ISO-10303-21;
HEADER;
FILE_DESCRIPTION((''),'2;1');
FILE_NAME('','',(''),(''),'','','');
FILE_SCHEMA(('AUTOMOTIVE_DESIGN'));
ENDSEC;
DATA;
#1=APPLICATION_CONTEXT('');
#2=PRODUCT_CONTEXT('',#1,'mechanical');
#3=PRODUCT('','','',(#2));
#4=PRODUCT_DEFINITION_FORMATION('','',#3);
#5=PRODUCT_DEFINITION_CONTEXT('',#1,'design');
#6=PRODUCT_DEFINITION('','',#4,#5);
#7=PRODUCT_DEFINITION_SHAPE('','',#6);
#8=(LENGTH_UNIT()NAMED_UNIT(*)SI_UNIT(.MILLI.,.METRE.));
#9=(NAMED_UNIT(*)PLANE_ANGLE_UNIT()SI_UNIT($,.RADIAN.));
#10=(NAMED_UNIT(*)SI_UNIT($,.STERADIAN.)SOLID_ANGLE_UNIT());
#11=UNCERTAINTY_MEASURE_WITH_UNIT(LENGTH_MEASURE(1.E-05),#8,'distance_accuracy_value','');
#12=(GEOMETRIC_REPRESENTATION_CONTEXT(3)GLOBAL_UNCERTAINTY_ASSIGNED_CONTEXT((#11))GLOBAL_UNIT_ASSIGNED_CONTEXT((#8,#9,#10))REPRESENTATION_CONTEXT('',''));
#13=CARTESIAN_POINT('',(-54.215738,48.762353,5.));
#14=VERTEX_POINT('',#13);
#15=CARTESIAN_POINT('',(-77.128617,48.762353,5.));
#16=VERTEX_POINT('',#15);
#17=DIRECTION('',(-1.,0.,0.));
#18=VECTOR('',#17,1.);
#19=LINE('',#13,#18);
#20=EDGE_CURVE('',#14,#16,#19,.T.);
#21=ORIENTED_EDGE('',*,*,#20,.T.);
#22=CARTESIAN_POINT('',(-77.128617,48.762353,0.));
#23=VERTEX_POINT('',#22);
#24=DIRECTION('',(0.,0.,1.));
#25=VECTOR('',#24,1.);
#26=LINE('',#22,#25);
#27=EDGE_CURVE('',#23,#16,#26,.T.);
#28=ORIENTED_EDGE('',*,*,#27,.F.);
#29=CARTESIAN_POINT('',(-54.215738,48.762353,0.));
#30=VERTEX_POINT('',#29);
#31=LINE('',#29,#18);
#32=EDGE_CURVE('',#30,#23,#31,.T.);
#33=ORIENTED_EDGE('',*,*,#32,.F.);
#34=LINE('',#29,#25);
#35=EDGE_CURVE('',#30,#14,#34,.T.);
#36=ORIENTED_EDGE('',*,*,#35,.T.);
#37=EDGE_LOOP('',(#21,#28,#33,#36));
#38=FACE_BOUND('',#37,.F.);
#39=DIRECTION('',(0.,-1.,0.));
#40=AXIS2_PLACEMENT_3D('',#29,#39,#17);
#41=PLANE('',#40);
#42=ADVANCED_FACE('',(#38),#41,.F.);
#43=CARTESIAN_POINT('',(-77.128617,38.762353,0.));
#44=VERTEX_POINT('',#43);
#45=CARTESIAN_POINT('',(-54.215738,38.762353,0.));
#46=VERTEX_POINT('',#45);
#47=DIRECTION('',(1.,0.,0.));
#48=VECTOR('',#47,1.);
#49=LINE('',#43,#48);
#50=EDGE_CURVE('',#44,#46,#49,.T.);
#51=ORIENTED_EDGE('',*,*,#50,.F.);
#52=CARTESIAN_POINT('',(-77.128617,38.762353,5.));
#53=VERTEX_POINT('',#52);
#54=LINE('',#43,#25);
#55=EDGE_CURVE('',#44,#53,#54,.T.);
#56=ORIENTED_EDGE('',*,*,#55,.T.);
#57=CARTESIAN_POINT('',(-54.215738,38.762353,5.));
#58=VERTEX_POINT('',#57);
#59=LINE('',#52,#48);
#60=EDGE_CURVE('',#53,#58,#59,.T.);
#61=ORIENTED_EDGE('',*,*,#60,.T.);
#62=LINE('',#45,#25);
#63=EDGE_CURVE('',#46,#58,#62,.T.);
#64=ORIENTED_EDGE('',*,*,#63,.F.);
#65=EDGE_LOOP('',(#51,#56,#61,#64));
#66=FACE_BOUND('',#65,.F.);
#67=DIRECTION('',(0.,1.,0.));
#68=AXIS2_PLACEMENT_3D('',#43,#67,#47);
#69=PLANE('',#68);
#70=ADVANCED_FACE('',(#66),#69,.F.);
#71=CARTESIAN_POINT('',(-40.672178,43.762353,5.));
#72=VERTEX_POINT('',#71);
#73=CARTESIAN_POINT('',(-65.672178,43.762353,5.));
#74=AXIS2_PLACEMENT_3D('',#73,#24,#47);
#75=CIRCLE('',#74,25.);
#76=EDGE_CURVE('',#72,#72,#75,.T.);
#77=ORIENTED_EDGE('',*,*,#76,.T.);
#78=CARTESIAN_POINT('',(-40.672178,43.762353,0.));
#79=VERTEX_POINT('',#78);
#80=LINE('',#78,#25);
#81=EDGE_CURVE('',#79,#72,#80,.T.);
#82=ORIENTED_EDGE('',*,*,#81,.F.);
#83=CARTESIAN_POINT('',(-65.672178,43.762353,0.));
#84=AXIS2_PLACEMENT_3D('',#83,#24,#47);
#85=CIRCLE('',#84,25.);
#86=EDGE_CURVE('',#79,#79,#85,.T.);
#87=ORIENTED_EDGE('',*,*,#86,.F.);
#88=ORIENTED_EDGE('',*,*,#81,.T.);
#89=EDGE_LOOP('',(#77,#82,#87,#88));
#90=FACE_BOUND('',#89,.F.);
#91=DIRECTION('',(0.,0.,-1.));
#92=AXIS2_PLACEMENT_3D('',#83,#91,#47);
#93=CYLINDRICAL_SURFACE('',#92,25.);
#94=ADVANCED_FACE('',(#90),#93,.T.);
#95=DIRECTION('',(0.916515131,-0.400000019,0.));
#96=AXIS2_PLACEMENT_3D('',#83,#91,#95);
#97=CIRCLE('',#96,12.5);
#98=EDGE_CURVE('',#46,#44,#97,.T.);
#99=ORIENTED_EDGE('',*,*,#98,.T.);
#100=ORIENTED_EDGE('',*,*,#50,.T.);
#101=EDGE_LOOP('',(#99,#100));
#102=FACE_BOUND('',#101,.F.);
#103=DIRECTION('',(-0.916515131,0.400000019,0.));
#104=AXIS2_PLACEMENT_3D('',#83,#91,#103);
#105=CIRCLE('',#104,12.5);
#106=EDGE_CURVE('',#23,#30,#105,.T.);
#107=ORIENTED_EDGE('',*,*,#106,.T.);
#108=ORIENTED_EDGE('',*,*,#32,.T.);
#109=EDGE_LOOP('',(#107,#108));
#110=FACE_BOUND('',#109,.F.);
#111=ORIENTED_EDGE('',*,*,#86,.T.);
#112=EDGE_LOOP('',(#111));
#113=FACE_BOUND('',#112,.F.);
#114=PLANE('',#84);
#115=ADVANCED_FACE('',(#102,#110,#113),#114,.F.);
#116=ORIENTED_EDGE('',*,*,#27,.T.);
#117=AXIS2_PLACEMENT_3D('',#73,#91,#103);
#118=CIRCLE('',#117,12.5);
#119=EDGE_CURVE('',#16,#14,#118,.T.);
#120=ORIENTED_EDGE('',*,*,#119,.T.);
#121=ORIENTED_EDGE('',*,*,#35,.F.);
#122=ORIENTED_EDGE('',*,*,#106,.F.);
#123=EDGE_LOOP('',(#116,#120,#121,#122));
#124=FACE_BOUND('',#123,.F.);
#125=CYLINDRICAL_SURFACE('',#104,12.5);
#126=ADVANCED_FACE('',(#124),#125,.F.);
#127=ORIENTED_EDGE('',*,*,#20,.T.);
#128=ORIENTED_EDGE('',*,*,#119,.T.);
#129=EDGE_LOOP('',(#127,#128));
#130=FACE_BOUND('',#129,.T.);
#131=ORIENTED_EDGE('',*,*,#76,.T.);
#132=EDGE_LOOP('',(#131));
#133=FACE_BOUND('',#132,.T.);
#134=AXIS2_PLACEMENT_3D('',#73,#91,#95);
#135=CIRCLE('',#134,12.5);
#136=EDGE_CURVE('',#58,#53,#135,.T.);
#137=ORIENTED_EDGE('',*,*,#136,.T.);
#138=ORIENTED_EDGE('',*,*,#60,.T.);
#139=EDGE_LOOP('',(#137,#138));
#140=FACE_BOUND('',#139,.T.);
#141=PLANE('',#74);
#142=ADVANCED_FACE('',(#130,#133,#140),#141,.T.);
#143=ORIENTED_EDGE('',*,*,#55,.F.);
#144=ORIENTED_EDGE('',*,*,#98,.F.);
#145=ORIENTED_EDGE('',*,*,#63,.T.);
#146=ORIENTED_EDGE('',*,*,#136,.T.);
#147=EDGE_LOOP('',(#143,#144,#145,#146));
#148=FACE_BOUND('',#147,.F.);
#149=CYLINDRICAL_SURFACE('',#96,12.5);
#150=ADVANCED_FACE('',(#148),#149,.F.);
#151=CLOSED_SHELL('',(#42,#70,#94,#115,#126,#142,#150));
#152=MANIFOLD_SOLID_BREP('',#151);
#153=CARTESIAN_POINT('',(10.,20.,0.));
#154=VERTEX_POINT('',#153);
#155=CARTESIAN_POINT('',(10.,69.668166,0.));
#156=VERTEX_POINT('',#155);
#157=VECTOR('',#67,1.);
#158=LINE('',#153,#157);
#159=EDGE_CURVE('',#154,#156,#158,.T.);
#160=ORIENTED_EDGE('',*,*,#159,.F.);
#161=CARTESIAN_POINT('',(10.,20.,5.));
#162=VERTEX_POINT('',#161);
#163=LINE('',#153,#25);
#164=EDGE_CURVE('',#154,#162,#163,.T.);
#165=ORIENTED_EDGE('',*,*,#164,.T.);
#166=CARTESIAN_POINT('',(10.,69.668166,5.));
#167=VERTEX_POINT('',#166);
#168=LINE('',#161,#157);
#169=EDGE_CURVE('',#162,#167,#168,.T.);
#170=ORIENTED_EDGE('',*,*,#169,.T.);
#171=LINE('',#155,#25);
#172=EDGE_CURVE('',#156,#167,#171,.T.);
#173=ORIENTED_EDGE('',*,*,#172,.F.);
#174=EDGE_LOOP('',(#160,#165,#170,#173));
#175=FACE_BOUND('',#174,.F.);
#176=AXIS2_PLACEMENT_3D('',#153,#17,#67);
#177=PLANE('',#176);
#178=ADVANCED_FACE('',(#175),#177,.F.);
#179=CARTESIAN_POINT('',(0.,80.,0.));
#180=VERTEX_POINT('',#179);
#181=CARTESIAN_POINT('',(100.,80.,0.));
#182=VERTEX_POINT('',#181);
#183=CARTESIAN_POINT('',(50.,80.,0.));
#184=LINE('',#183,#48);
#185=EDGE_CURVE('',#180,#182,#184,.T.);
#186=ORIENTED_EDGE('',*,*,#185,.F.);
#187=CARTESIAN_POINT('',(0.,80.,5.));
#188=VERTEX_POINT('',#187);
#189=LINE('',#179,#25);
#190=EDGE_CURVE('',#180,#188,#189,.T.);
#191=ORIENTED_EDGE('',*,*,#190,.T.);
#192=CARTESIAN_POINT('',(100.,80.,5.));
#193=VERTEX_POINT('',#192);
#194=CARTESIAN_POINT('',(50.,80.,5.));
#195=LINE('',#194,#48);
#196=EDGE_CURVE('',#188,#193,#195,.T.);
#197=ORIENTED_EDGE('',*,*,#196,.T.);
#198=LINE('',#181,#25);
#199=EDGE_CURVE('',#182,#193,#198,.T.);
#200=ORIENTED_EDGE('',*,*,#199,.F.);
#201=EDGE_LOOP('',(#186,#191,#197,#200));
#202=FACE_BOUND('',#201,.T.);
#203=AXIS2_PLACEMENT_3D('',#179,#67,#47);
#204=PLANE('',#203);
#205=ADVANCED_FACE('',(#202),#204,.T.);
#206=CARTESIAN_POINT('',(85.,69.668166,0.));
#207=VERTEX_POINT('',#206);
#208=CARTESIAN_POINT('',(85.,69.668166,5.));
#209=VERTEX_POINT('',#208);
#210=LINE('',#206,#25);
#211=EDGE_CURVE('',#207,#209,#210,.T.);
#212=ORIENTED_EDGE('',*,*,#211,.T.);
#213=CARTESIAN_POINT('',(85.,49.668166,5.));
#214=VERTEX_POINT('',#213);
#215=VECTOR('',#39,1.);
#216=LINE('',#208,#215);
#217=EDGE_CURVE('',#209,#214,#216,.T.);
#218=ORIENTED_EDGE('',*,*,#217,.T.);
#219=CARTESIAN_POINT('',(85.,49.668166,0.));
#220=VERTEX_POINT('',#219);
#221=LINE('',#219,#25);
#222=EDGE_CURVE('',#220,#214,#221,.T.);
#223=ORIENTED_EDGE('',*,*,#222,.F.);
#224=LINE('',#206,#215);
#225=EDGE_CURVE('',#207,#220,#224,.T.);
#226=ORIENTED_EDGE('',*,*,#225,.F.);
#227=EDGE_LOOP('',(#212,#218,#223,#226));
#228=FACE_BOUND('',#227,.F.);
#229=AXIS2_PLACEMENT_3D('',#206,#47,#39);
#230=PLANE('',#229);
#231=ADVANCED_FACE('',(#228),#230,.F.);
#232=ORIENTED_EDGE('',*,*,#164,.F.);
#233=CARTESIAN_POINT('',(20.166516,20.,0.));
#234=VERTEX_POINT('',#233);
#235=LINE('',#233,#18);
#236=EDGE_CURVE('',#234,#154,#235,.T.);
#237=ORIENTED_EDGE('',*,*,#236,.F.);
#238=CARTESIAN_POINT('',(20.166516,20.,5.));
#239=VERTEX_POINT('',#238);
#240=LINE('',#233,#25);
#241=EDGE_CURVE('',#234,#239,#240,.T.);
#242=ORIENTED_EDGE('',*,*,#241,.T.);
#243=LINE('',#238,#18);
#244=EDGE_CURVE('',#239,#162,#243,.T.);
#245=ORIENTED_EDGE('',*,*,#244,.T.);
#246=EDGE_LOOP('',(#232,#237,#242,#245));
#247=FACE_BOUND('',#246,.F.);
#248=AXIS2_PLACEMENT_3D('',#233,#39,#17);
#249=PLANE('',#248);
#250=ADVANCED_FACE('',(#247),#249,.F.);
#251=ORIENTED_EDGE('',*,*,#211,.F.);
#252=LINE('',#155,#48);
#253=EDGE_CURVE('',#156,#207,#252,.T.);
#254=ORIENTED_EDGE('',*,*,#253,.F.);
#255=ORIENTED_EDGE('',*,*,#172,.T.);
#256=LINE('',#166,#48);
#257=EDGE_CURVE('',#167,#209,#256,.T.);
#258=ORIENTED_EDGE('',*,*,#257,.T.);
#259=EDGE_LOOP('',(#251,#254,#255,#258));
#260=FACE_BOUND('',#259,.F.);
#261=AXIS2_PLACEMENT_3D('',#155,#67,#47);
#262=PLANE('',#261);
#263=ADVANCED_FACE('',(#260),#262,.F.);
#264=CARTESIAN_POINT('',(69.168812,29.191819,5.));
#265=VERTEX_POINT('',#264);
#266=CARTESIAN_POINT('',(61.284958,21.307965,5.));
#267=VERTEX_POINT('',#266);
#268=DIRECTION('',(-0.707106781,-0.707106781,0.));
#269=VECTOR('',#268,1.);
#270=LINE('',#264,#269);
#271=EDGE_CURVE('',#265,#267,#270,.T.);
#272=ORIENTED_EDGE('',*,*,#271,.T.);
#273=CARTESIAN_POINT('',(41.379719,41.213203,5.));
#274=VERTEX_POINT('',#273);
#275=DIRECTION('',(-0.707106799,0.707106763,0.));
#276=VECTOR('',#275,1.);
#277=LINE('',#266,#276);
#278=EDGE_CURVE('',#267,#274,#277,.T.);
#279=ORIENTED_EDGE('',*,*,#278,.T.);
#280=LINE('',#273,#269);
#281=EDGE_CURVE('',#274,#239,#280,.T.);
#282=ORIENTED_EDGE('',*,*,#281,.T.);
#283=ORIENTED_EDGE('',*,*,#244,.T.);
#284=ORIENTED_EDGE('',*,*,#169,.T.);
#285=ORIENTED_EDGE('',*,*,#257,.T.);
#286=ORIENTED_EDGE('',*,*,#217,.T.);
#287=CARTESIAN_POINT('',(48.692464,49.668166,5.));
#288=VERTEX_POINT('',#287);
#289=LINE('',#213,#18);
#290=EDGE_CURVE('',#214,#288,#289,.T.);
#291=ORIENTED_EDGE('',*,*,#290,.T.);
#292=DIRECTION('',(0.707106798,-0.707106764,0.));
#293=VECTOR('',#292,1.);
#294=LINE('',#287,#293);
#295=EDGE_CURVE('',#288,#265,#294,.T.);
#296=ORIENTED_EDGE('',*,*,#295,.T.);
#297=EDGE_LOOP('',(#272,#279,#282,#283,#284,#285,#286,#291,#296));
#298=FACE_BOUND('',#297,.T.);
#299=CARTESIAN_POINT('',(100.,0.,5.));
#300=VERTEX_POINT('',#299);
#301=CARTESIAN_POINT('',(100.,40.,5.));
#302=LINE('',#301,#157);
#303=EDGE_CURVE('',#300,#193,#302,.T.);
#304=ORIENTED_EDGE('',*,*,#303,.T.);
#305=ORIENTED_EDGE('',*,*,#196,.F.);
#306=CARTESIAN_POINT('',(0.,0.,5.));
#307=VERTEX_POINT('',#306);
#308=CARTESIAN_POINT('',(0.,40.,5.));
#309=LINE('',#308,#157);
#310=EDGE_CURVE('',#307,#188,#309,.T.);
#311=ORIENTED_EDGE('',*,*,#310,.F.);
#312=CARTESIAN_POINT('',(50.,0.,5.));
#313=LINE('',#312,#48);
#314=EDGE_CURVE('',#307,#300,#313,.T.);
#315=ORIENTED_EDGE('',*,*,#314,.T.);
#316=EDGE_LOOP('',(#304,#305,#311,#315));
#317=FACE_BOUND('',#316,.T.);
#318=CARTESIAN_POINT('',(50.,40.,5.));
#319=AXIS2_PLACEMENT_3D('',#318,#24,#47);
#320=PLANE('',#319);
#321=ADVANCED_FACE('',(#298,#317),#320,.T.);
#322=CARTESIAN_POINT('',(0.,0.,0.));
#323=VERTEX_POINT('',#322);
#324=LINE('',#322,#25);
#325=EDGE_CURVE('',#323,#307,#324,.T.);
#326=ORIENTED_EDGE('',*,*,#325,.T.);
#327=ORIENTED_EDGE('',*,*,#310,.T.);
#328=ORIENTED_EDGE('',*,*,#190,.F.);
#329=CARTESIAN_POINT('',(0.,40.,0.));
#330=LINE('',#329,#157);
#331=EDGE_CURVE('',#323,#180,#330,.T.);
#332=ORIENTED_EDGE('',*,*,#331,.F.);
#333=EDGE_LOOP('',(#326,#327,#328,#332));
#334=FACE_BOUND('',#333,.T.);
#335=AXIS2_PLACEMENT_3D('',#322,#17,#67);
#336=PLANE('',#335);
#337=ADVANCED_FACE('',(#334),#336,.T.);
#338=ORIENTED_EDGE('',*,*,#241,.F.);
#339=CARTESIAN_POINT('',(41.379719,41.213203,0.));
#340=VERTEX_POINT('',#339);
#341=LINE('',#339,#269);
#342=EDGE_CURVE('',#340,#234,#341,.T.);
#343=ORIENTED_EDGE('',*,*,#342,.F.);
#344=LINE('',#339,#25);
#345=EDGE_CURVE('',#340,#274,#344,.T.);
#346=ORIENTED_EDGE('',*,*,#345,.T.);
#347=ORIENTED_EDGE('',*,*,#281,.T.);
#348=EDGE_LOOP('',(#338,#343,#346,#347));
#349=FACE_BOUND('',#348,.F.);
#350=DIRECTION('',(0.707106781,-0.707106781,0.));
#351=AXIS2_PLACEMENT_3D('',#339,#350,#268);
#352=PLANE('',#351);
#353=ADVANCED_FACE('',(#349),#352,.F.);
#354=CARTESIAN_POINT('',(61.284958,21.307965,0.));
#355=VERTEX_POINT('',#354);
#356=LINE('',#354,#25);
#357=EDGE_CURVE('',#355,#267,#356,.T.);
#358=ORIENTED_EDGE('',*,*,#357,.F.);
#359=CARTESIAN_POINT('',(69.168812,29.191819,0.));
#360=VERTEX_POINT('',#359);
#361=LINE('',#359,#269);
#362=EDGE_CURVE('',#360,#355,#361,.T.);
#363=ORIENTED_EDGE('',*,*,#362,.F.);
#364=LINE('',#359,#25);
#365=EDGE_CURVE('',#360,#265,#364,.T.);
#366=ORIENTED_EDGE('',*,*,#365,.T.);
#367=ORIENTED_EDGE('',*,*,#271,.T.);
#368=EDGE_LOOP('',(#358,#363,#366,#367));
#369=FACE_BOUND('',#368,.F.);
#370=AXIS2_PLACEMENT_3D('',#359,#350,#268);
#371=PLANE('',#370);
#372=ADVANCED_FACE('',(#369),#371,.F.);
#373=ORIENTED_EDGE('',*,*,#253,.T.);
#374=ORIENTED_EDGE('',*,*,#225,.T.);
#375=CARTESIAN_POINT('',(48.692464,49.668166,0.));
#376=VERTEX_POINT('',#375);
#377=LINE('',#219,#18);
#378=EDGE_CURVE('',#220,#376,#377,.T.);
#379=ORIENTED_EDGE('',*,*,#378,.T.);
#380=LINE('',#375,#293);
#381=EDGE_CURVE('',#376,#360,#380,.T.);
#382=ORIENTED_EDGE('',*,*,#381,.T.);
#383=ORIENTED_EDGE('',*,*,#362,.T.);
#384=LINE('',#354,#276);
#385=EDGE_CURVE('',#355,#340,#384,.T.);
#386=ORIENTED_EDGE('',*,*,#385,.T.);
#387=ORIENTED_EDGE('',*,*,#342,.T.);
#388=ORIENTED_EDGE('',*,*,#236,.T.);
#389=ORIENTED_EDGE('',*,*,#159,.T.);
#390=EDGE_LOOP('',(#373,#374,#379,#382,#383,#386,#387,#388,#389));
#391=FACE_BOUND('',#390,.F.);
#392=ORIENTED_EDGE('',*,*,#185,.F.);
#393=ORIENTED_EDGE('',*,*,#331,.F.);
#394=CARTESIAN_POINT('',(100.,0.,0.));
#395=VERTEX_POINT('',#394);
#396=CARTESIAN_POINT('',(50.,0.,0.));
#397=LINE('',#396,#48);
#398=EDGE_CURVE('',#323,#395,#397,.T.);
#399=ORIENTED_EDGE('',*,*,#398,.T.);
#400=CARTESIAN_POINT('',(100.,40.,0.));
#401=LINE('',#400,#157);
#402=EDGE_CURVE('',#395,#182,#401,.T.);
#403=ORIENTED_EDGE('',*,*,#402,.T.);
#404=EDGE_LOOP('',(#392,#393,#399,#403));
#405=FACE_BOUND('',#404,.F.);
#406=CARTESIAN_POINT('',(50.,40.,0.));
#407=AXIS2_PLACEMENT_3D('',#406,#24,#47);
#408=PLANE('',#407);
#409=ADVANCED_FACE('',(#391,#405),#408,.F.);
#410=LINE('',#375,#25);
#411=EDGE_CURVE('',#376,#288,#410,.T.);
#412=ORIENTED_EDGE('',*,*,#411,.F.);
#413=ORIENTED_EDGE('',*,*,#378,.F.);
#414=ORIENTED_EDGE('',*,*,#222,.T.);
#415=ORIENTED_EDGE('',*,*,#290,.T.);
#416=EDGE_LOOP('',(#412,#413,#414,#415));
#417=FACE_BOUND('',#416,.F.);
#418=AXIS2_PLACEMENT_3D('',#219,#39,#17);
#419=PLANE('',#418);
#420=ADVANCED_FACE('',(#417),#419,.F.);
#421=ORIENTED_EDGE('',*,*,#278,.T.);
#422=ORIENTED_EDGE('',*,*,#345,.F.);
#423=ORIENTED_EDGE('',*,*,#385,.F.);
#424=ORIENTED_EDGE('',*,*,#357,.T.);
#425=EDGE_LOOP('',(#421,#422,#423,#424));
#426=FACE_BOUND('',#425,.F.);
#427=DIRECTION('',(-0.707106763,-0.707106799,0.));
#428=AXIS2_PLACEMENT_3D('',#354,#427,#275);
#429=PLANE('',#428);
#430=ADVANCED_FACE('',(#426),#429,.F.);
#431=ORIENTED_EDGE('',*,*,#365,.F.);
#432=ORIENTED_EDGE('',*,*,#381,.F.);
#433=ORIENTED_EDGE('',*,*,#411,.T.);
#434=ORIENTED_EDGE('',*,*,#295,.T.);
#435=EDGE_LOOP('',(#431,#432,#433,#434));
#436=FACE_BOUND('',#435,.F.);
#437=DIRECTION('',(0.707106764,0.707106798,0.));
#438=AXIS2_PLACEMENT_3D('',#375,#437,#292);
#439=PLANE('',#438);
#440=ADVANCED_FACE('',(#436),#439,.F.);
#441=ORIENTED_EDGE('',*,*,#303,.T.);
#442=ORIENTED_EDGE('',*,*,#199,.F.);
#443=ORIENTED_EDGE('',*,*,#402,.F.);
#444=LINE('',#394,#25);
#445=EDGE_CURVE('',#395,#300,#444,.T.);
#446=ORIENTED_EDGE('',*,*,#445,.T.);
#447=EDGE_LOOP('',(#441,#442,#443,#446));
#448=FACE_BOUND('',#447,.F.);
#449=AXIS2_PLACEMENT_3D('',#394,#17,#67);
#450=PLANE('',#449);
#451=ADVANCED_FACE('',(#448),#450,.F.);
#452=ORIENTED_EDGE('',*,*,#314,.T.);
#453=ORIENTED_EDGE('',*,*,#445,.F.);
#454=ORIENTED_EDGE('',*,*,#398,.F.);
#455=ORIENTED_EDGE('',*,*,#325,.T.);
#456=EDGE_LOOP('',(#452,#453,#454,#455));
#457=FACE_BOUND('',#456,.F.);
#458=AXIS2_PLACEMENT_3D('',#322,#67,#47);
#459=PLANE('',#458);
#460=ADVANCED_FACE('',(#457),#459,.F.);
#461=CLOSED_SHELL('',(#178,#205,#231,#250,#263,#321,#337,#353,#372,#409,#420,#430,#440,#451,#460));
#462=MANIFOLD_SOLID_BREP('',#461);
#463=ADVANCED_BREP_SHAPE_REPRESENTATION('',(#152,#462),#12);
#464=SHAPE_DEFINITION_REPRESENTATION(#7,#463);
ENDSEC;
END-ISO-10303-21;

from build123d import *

# Parameters (mm, degrees)
F0_R     = 25
F0_W     = 100
F0_H     = 80
F1_DEPTH = 5


with BuildPart() as f1:
    # F0 (on Top) → F1 (new body)
    with BuildSketch(Plane.XY):
        with Locations((-65.672178, 43.762353)):
            Circle(F0_R)
        with BuildLine():
            ThreePointArc((-54.215738, 38.762353), (-65.672178, 31.262353), (-77.128617, 38.762353))
            Line((-77.128617, 38.762353), (-54.215738, 38.762353))
        make_face(mode=Mode.SUBTRACT)
        with BuildLine():
            Line((-54.215738, 48.762353), (-77.128617, 48.762353))
            ThreePointArc((-77.128617, 48.762353), (-65.672178, 56.262353), (-54.215738, 48.762353))
        make_face(mode=Mode.SUBTRACT)
        with Locations((50, 40)):
            Rectangle(F0_W, F0_H)
        Polygon((20.166516, 20), (10, 20), (10, 69.668166), (85, 69.668166), (85, 49.668166), (48.692464, 49.668166), (69.168812, 29.191819), (61.284958, 21.307965), (41.379719, 41.213203), align=None, mode=Mode.SUBTRACT)
    extrude(amount=F1_DEPTH)


solid = f1.part
